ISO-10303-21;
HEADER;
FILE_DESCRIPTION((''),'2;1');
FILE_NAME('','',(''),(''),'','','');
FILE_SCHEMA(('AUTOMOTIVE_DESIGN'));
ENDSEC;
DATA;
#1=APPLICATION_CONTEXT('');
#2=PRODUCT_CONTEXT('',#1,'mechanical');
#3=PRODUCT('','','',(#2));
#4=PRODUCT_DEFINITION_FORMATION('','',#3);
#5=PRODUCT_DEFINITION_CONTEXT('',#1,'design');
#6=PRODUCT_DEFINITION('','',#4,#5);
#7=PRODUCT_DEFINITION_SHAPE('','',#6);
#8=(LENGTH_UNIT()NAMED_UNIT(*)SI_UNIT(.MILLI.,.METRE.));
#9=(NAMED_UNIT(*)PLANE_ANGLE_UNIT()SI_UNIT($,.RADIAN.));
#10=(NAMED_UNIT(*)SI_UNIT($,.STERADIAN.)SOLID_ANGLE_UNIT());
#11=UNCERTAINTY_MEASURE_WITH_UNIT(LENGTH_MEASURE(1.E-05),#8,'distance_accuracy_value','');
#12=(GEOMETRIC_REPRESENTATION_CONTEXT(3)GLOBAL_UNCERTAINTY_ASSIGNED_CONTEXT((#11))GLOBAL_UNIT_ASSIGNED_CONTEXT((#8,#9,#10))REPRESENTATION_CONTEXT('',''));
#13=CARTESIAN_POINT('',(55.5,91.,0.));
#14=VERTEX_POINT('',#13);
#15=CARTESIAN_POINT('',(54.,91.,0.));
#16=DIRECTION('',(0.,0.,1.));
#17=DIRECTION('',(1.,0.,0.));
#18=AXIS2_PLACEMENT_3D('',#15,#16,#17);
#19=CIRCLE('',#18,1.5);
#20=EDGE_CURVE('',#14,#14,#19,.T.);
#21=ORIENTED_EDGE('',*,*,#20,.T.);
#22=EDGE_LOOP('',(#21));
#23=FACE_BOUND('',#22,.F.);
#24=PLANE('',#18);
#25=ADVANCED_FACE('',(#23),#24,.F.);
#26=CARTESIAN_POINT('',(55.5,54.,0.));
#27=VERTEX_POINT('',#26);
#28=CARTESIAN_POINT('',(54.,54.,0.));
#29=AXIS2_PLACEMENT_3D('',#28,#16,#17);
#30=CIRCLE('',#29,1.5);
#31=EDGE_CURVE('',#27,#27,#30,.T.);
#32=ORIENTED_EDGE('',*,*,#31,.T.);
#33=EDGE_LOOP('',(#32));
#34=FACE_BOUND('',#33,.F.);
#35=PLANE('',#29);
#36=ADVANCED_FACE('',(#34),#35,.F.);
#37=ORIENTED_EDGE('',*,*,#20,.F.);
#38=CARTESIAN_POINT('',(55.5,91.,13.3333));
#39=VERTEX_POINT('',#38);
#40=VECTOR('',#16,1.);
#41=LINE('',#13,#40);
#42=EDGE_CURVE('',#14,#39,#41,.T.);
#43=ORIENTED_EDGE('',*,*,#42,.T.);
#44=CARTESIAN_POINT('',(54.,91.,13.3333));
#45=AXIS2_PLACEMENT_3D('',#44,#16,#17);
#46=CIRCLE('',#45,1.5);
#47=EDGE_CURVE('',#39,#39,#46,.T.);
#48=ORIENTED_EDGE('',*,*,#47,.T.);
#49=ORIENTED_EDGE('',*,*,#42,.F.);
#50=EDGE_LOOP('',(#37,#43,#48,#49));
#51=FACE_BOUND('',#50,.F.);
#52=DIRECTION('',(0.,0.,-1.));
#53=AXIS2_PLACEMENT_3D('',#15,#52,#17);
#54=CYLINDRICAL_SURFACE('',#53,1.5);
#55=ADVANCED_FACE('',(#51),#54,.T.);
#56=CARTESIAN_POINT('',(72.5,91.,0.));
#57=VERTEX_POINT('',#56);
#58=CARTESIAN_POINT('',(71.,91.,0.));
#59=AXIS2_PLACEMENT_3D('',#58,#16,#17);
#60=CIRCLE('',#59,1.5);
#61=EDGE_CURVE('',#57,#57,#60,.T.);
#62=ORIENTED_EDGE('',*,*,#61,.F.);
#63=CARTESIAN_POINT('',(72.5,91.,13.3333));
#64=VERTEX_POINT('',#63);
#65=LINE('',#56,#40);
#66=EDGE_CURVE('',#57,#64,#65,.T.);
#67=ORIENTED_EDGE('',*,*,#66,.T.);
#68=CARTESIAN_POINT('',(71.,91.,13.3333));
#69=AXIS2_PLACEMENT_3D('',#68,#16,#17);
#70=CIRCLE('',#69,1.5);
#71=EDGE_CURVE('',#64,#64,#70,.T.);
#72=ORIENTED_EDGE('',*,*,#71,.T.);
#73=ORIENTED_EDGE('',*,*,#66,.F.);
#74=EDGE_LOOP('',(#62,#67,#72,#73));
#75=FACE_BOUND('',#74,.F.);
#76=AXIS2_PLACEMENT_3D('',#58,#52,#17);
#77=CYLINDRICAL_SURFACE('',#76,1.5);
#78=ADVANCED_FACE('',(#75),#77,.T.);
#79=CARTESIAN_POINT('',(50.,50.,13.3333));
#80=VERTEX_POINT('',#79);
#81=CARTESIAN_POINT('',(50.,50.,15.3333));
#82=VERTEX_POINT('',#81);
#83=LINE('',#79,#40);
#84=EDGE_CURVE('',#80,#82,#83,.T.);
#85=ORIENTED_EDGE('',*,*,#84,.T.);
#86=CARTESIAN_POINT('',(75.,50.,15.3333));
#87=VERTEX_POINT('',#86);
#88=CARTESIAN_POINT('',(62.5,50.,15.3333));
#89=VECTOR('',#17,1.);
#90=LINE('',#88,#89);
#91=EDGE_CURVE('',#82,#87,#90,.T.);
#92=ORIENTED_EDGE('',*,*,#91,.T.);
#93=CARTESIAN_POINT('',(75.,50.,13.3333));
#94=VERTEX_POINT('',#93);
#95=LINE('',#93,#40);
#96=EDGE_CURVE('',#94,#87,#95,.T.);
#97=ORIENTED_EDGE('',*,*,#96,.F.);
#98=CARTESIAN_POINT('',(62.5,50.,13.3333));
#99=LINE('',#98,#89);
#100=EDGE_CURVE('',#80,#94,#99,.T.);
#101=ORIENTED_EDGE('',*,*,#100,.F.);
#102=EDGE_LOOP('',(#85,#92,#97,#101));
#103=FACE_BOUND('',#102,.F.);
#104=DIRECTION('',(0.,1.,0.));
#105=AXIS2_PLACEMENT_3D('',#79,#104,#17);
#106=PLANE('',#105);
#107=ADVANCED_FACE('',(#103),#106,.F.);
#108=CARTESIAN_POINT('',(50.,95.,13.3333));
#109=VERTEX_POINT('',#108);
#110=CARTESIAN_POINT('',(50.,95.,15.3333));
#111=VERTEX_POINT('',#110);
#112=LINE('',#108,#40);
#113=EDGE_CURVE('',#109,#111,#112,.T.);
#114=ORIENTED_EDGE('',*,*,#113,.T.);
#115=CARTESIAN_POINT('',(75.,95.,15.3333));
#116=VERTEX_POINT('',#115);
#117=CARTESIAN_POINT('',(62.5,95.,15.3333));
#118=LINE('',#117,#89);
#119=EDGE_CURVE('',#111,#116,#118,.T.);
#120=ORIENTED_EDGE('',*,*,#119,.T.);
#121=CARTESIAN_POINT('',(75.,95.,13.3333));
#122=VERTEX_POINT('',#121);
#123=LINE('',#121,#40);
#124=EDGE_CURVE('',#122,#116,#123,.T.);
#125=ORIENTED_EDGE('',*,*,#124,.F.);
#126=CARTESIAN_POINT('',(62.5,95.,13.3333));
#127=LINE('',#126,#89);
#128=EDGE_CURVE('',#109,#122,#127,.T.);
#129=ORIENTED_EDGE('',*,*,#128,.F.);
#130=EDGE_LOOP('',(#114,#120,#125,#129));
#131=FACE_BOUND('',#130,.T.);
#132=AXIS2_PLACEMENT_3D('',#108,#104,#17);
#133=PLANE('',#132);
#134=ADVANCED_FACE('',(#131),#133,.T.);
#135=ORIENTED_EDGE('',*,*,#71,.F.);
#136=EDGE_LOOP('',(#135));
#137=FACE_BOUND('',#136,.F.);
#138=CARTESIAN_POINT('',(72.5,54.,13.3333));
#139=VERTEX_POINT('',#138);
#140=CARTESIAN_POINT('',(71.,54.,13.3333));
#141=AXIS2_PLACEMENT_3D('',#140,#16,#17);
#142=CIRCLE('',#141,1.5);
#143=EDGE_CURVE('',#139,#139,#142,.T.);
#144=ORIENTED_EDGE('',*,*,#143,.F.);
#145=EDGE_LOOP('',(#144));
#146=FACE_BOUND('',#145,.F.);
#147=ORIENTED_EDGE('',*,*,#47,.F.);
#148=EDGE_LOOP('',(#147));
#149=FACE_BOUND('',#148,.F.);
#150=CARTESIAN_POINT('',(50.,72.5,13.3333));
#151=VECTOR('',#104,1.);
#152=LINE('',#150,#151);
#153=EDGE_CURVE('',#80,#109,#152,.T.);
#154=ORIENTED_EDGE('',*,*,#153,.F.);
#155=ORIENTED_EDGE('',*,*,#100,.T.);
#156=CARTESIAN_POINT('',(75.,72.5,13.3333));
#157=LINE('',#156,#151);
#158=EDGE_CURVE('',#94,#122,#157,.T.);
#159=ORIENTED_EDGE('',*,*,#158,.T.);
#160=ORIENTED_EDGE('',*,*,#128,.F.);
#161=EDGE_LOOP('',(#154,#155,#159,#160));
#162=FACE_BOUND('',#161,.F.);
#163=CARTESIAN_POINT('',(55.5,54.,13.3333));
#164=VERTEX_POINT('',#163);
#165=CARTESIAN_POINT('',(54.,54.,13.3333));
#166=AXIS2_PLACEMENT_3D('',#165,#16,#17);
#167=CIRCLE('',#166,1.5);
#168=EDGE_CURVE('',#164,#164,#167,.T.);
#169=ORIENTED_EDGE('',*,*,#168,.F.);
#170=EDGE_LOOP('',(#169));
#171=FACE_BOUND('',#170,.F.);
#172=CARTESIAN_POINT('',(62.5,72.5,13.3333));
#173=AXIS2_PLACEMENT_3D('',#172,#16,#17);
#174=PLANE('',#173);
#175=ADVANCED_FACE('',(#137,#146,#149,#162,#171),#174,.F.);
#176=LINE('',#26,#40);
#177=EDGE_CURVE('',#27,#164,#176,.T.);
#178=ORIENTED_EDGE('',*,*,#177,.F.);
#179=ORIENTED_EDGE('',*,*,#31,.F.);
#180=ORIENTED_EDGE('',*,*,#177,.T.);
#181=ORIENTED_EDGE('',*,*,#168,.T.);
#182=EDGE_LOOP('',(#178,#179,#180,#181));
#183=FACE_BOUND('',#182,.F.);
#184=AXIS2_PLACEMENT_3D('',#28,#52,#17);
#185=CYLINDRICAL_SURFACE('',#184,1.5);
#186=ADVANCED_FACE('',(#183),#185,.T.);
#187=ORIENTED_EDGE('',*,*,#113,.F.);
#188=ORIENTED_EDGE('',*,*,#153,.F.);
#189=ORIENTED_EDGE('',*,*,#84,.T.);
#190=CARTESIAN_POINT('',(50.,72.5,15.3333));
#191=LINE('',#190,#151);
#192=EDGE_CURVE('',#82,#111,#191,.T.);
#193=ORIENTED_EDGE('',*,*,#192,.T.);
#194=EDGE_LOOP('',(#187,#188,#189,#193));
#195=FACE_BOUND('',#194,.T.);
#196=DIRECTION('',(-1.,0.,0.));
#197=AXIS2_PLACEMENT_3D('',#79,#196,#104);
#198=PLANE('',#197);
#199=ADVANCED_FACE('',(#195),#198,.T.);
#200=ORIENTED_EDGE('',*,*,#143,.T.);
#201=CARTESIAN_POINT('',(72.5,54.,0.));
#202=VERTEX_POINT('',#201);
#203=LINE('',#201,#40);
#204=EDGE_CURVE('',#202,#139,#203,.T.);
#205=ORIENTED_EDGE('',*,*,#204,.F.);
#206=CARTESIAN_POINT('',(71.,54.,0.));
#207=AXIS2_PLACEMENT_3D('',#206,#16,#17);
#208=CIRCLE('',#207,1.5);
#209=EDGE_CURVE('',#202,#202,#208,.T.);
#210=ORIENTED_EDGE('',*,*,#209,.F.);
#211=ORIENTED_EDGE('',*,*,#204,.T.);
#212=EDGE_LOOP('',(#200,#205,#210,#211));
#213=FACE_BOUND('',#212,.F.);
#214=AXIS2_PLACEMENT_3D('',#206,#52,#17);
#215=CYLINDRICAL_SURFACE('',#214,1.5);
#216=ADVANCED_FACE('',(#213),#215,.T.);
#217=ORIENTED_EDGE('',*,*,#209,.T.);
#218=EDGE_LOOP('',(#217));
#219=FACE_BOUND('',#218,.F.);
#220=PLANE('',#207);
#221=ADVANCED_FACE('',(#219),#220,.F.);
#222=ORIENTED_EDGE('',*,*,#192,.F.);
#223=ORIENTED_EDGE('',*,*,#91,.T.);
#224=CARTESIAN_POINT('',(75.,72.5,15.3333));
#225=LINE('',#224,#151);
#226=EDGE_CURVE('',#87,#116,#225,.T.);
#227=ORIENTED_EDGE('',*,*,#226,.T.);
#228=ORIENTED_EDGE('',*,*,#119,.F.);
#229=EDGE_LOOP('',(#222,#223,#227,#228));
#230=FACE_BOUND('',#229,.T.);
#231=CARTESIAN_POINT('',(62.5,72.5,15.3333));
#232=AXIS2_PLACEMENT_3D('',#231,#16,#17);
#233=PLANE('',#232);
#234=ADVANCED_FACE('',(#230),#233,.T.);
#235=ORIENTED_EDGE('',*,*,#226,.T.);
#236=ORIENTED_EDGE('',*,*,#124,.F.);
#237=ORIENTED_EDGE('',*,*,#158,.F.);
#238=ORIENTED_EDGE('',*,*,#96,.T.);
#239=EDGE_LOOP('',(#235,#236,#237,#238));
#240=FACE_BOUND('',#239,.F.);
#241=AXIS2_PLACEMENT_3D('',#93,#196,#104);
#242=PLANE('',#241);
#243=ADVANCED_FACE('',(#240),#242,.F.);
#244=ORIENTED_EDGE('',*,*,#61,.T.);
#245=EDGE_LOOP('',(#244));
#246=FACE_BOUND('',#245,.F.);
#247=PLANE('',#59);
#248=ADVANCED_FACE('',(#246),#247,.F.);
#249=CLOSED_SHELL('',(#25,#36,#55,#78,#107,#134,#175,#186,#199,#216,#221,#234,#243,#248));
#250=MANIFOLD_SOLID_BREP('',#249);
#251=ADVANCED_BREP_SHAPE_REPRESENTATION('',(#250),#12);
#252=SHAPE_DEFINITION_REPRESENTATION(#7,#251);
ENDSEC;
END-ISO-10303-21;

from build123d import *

# Parameters (mm, degrees)
CYLINDER_R         = 1.5
CYLINDER_DEPTH     = 13.3333
ARRAY_X_COUNT      = 2
ARRAY_X_PITCH      = 17
ARRAY_Y_COUNT      = 2
ARRAY_Y_PITCH      = 37
BOX021003019_W     = 25
BOX021003019_H     = 45
BOX021003019_DEPTH = 2


with BuildPart() as matriz_4_patas_mesa_sofa:
    # Cylinder → Cylinder (new body)
    with BuildSketch(Plane(origin=(54, 54, 0), x_dir=(1, 0, 0), z_dir=(0, 0, 1))):
        Circle(CYLINDER_R)
    extrude(amount=CYLINDER_DEPTH)

    # Array X: matriz 4 patas mesa sofa ×2


with BuildPart() as matriz_4_patas_mesa_sofa_1:
    add(matriz_4_patas_mesa_sofa.part)
    with Locations(*[(i * ARRAY_X_PITCH, 0, 0) for i in range(1, ARRAY_X_COUNT)]):
        add(matriz_4_patas_mesa_sofa.part)

    # Array Y: matriz 4 patas mesa sofa ×2


with BuildPart() as matriz_4_patas_mesa_sofa_2:
    add(matriz_4_patas_mesa_sofa_1.part)
    with Locations(*[(0, i * ARRAY_Y_PITCH, 0) for i in range(1, ARRAY_Y_COUNT)]):
        add(matriz_4_patas_mesa_sofa_1.part)


with BuildPart() as mesa_sofa:
    # Box021003019 → Box021003019 (new body)
    with BuildSketch(Plane(origin=(50, 50, 13.3333), x_dir=(1, 0, 0), z_dir=(0, 0, 1))):
        with Locations((12.5, 22.5)):
            Rectangle(BOX021003019_W, BOX021003019_H)
    extrude(amount=BOX021003019_DEPTH)

    # Fusion009: union matriz 4 patas mesa sofa
    add(matriz_4_patas_mesa_sofa_2.part)


solid = mesa_sofa.part
